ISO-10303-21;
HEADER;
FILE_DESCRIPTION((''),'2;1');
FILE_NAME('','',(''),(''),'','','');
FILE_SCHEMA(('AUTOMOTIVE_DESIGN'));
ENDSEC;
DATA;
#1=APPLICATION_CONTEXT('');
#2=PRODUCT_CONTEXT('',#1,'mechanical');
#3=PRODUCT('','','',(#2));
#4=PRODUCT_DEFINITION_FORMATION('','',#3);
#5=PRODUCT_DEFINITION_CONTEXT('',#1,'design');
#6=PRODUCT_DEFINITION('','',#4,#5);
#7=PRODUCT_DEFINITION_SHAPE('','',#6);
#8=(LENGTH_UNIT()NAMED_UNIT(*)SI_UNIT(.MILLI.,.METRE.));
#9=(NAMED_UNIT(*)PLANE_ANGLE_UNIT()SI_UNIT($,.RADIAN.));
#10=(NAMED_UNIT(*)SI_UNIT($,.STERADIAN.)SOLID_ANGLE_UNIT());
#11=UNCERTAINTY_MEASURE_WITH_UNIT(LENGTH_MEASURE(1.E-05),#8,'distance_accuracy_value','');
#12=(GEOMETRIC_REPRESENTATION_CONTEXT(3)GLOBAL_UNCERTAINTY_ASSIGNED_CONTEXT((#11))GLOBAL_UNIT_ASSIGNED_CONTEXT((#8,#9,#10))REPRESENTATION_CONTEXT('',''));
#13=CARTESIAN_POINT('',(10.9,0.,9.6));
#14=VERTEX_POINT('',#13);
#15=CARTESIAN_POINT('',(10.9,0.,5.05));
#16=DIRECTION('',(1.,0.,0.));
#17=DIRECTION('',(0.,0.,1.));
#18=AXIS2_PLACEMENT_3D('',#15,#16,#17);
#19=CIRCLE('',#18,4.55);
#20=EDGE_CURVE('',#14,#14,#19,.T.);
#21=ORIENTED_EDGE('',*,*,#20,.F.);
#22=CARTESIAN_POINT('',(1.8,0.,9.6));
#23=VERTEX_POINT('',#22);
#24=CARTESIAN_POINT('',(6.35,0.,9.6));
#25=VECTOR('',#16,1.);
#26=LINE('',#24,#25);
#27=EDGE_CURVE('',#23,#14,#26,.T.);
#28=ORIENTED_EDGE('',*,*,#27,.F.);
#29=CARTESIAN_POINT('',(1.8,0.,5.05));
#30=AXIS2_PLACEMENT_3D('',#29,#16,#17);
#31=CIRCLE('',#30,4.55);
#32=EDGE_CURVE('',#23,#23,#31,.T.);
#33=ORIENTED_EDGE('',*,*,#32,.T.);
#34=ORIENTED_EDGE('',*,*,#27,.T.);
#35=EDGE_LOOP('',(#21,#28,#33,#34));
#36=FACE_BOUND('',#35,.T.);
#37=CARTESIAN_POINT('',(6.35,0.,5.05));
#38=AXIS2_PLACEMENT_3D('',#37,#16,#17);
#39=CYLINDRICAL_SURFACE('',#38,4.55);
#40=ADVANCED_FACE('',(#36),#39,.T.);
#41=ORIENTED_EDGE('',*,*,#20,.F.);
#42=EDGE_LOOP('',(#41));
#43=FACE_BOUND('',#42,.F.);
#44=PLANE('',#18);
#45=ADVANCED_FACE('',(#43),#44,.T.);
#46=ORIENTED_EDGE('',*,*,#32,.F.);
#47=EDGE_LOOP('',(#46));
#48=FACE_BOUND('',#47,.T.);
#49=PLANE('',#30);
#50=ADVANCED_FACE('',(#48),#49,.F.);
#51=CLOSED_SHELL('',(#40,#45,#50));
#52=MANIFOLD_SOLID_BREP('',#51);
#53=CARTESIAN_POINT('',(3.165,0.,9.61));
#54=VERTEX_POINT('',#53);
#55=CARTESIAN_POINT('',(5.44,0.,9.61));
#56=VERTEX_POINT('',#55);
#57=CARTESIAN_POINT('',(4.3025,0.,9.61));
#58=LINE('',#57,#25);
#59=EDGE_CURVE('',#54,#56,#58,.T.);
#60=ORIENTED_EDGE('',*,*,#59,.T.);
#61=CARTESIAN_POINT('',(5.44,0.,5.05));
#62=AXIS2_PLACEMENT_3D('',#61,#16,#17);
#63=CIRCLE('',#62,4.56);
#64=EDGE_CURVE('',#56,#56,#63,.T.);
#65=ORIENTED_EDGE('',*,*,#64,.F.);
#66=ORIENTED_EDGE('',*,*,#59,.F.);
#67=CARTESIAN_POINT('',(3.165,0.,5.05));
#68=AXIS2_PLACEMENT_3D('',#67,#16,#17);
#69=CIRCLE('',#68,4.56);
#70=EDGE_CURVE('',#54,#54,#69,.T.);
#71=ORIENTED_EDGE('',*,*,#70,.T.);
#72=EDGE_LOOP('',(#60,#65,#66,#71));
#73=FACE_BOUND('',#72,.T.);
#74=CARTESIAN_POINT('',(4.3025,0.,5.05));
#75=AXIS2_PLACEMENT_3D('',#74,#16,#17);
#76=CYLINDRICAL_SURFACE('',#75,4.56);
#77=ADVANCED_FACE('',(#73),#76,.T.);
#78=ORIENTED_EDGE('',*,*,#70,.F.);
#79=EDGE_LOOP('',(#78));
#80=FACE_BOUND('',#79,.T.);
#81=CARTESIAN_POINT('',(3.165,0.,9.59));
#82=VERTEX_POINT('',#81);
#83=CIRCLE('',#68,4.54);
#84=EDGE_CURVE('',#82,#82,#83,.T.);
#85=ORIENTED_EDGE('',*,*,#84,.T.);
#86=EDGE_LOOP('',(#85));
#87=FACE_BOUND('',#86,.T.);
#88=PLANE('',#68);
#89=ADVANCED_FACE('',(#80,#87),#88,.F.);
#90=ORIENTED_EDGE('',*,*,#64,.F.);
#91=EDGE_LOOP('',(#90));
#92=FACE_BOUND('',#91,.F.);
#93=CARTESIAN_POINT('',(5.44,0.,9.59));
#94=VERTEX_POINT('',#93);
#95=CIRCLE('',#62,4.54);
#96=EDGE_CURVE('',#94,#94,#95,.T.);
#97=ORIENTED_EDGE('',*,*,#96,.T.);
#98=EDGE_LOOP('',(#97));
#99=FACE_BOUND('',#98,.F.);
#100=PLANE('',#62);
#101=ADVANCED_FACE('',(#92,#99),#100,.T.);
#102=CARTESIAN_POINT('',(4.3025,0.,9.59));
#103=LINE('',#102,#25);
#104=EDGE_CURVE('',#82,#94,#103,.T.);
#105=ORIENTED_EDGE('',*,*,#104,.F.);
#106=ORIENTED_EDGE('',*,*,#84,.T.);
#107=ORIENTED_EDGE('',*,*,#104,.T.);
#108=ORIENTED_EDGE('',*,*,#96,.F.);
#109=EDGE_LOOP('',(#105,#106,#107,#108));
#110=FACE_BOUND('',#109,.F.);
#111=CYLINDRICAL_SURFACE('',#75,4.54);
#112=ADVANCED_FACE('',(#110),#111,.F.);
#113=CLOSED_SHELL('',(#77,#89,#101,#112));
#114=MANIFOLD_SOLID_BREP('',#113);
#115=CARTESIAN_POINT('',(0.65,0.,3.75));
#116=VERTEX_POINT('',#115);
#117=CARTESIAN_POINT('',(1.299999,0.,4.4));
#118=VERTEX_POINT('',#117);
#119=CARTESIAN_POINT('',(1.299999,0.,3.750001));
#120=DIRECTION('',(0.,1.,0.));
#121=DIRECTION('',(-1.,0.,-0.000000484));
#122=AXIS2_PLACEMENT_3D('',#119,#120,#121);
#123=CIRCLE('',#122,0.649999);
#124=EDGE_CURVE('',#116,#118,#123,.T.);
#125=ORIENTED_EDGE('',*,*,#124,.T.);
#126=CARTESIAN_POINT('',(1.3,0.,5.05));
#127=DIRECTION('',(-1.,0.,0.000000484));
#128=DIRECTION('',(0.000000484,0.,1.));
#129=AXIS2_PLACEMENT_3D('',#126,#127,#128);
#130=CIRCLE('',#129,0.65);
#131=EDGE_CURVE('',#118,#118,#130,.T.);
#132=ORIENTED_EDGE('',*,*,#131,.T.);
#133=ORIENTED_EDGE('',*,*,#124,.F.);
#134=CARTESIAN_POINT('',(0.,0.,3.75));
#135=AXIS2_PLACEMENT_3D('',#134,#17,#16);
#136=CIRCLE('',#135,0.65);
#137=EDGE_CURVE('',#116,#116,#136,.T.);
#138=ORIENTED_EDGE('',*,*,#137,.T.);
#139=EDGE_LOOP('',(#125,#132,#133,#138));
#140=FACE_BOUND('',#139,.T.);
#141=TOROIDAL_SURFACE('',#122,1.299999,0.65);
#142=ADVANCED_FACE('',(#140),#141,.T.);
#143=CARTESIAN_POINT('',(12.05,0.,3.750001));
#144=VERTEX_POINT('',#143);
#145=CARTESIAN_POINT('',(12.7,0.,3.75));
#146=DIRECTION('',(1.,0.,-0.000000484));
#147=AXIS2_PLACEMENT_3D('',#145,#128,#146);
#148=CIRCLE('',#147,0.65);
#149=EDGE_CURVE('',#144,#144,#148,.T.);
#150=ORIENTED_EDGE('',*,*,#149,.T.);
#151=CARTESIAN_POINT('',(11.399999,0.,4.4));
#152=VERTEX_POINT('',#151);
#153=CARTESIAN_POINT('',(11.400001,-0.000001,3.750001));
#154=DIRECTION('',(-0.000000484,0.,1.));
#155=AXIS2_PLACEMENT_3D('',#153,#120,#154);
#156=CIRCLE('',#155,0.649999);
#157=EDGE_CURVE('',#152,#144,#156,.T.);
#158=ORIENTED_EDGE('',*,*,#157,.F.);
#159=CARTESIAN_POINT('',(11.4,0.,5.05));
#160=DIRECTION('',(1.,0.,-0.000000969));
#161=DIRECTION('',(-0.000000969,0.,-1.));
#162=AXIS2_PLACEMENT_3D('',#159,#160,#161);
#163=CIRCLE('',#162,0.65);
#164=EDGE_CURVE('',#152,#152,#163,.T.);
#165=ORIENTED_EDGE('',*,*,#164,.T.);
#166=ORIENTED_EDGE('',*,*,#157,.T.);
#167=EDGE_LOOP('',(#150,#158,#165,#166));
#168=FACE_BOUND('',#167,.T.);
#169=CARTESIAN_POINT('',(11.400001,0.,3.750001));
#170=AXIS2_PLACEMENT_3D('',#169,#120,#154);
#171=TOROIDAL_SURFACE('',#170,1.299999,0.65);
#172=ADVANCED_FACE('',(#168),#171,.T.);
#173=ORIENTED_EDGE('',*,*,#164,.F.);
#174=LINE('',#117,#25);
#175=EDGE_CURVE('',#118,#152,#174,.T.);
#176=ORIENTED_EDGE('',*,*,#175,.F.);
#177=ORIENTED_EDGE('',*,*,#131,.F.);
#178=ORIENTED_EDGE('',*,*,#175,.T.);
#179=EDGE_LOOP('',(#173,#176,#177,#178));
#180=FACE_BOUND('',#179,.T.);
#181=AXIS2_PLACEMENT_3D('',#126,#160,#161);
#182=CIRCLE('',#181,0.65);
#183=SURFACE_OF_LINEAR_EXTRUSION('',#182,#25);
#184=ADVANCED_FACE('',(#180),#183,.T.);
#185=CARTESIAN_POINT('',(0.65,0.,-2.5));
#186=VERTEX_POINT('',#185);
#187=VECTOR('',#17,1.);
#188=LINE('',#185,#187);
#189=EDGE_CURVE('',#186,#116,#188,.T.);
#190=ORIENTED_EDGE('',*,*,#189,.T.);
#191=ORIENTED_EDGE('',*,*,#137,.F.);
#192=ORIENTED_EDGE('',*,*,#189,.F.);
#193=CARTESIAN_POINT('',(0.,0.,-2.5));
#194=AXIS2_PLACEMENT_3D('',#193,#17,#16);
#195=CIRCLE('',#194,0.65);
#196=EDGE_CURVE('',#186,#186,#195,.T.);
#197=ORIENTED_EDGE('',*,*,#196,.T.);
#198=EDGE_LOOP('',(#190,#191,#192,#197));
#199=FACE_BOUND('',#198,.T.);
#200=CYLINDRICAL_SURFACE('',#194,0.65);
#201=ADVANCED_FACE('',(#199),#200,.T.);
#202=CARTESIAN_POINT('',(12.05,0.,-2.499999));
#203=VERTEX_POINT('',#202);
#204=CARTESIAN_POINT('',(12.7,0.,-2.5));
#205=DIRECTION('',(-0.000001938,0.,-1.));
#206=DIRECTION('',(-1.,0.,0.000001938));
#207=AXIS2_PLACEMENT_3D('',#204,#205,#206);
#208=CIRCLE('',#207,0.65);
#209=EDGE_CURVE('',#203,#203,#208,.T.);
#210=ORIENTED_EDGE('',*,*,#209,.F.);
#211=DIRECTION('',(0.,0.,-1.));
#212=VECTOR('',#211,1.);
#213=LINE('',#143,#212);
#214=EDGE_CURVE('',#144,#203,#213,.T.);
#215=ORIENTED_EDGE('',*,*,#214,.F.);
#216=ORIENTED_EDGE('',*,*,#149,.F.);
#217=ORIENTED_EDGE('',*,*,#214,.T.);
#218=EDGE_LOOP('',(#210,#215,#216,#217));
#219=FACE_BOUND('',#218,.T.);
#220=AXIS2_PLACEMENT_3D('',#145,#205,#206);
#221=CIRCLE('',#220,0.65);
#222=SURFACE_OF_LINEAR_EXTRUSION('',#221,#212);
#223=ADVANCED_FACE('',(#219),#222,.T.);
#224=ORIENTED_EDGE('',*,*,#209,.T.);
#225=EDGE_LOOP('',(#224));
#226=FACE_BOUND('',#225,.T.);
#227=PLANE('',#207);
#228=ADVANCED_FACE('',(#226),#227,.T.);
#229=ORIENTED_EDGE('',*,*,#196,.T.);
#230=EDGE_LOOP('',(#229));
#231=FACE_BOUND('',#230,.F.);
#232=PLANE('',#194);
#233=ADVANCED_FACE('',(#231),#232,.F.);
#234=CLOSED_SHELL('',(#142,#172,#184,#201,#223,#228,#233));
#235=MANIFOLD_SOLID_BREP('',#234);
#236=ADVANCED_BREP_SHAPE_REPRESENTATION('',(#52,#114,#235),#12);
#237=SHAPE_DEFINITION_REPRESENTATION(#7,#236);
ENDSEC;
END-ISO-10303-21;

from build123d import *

# Parameters (mm, degrees)
SKETCH002_W = 9.1
SKETCH002_H = 4.55
SKETCH003_W = 2.275
SKETCH003_H = 0.02
SKETCH_R    = 0.65


with BuildPart() as revolution:
    # Sketch002 → Revolution (revolve)
    with BuildSketch(Plane.XZ):
        with Locations((6.35, 7.325)):
            Rectangle(SKETCH002_W, SKETCH002_H)
    revolve(axis=Axis((1.8, 0, 5.05), (1, 0, 0)))


with BuildPart() as revolution001:
    # Sketch003 → Revolution001 (revolve)
    with BuildSketch(Plane.XZ):
        with Locations((4.3025, 9.6)):
            Rectangle(SKETCH003_W, SKETCH003_H)
    revolve(axis=Axis((0, 0, 5.05), (1, 0, 0)))


with BuildPart() as sweep_body:
    # Sweep: sweep along a path in Sketch001
    with BuildLine(Plane.XZ) as sweep_path:
        Line((0, -2.5), (0, 3.75))
        ThreePointArc((0, 3.75), (0.380761, 4.669239), (1.3, 5.05))
        Line((1.3, 5.05), (11.4, 5.05))
        ThreePointArc((11.4, 5.05), (12.319239, 4.669239), (12.7, 3.75))
        Line((12.7, 3.75), (12.7, -2.5))
    # Sketch → Sweep (sweep)
    with BuildSketch(Plane.XY.offset(-2)):
        Circle(SKETCH_R)
    sweep(path=sweep_path.line)


solid = Compound([revolution.part, revolution001.part, sweep_body.part])
